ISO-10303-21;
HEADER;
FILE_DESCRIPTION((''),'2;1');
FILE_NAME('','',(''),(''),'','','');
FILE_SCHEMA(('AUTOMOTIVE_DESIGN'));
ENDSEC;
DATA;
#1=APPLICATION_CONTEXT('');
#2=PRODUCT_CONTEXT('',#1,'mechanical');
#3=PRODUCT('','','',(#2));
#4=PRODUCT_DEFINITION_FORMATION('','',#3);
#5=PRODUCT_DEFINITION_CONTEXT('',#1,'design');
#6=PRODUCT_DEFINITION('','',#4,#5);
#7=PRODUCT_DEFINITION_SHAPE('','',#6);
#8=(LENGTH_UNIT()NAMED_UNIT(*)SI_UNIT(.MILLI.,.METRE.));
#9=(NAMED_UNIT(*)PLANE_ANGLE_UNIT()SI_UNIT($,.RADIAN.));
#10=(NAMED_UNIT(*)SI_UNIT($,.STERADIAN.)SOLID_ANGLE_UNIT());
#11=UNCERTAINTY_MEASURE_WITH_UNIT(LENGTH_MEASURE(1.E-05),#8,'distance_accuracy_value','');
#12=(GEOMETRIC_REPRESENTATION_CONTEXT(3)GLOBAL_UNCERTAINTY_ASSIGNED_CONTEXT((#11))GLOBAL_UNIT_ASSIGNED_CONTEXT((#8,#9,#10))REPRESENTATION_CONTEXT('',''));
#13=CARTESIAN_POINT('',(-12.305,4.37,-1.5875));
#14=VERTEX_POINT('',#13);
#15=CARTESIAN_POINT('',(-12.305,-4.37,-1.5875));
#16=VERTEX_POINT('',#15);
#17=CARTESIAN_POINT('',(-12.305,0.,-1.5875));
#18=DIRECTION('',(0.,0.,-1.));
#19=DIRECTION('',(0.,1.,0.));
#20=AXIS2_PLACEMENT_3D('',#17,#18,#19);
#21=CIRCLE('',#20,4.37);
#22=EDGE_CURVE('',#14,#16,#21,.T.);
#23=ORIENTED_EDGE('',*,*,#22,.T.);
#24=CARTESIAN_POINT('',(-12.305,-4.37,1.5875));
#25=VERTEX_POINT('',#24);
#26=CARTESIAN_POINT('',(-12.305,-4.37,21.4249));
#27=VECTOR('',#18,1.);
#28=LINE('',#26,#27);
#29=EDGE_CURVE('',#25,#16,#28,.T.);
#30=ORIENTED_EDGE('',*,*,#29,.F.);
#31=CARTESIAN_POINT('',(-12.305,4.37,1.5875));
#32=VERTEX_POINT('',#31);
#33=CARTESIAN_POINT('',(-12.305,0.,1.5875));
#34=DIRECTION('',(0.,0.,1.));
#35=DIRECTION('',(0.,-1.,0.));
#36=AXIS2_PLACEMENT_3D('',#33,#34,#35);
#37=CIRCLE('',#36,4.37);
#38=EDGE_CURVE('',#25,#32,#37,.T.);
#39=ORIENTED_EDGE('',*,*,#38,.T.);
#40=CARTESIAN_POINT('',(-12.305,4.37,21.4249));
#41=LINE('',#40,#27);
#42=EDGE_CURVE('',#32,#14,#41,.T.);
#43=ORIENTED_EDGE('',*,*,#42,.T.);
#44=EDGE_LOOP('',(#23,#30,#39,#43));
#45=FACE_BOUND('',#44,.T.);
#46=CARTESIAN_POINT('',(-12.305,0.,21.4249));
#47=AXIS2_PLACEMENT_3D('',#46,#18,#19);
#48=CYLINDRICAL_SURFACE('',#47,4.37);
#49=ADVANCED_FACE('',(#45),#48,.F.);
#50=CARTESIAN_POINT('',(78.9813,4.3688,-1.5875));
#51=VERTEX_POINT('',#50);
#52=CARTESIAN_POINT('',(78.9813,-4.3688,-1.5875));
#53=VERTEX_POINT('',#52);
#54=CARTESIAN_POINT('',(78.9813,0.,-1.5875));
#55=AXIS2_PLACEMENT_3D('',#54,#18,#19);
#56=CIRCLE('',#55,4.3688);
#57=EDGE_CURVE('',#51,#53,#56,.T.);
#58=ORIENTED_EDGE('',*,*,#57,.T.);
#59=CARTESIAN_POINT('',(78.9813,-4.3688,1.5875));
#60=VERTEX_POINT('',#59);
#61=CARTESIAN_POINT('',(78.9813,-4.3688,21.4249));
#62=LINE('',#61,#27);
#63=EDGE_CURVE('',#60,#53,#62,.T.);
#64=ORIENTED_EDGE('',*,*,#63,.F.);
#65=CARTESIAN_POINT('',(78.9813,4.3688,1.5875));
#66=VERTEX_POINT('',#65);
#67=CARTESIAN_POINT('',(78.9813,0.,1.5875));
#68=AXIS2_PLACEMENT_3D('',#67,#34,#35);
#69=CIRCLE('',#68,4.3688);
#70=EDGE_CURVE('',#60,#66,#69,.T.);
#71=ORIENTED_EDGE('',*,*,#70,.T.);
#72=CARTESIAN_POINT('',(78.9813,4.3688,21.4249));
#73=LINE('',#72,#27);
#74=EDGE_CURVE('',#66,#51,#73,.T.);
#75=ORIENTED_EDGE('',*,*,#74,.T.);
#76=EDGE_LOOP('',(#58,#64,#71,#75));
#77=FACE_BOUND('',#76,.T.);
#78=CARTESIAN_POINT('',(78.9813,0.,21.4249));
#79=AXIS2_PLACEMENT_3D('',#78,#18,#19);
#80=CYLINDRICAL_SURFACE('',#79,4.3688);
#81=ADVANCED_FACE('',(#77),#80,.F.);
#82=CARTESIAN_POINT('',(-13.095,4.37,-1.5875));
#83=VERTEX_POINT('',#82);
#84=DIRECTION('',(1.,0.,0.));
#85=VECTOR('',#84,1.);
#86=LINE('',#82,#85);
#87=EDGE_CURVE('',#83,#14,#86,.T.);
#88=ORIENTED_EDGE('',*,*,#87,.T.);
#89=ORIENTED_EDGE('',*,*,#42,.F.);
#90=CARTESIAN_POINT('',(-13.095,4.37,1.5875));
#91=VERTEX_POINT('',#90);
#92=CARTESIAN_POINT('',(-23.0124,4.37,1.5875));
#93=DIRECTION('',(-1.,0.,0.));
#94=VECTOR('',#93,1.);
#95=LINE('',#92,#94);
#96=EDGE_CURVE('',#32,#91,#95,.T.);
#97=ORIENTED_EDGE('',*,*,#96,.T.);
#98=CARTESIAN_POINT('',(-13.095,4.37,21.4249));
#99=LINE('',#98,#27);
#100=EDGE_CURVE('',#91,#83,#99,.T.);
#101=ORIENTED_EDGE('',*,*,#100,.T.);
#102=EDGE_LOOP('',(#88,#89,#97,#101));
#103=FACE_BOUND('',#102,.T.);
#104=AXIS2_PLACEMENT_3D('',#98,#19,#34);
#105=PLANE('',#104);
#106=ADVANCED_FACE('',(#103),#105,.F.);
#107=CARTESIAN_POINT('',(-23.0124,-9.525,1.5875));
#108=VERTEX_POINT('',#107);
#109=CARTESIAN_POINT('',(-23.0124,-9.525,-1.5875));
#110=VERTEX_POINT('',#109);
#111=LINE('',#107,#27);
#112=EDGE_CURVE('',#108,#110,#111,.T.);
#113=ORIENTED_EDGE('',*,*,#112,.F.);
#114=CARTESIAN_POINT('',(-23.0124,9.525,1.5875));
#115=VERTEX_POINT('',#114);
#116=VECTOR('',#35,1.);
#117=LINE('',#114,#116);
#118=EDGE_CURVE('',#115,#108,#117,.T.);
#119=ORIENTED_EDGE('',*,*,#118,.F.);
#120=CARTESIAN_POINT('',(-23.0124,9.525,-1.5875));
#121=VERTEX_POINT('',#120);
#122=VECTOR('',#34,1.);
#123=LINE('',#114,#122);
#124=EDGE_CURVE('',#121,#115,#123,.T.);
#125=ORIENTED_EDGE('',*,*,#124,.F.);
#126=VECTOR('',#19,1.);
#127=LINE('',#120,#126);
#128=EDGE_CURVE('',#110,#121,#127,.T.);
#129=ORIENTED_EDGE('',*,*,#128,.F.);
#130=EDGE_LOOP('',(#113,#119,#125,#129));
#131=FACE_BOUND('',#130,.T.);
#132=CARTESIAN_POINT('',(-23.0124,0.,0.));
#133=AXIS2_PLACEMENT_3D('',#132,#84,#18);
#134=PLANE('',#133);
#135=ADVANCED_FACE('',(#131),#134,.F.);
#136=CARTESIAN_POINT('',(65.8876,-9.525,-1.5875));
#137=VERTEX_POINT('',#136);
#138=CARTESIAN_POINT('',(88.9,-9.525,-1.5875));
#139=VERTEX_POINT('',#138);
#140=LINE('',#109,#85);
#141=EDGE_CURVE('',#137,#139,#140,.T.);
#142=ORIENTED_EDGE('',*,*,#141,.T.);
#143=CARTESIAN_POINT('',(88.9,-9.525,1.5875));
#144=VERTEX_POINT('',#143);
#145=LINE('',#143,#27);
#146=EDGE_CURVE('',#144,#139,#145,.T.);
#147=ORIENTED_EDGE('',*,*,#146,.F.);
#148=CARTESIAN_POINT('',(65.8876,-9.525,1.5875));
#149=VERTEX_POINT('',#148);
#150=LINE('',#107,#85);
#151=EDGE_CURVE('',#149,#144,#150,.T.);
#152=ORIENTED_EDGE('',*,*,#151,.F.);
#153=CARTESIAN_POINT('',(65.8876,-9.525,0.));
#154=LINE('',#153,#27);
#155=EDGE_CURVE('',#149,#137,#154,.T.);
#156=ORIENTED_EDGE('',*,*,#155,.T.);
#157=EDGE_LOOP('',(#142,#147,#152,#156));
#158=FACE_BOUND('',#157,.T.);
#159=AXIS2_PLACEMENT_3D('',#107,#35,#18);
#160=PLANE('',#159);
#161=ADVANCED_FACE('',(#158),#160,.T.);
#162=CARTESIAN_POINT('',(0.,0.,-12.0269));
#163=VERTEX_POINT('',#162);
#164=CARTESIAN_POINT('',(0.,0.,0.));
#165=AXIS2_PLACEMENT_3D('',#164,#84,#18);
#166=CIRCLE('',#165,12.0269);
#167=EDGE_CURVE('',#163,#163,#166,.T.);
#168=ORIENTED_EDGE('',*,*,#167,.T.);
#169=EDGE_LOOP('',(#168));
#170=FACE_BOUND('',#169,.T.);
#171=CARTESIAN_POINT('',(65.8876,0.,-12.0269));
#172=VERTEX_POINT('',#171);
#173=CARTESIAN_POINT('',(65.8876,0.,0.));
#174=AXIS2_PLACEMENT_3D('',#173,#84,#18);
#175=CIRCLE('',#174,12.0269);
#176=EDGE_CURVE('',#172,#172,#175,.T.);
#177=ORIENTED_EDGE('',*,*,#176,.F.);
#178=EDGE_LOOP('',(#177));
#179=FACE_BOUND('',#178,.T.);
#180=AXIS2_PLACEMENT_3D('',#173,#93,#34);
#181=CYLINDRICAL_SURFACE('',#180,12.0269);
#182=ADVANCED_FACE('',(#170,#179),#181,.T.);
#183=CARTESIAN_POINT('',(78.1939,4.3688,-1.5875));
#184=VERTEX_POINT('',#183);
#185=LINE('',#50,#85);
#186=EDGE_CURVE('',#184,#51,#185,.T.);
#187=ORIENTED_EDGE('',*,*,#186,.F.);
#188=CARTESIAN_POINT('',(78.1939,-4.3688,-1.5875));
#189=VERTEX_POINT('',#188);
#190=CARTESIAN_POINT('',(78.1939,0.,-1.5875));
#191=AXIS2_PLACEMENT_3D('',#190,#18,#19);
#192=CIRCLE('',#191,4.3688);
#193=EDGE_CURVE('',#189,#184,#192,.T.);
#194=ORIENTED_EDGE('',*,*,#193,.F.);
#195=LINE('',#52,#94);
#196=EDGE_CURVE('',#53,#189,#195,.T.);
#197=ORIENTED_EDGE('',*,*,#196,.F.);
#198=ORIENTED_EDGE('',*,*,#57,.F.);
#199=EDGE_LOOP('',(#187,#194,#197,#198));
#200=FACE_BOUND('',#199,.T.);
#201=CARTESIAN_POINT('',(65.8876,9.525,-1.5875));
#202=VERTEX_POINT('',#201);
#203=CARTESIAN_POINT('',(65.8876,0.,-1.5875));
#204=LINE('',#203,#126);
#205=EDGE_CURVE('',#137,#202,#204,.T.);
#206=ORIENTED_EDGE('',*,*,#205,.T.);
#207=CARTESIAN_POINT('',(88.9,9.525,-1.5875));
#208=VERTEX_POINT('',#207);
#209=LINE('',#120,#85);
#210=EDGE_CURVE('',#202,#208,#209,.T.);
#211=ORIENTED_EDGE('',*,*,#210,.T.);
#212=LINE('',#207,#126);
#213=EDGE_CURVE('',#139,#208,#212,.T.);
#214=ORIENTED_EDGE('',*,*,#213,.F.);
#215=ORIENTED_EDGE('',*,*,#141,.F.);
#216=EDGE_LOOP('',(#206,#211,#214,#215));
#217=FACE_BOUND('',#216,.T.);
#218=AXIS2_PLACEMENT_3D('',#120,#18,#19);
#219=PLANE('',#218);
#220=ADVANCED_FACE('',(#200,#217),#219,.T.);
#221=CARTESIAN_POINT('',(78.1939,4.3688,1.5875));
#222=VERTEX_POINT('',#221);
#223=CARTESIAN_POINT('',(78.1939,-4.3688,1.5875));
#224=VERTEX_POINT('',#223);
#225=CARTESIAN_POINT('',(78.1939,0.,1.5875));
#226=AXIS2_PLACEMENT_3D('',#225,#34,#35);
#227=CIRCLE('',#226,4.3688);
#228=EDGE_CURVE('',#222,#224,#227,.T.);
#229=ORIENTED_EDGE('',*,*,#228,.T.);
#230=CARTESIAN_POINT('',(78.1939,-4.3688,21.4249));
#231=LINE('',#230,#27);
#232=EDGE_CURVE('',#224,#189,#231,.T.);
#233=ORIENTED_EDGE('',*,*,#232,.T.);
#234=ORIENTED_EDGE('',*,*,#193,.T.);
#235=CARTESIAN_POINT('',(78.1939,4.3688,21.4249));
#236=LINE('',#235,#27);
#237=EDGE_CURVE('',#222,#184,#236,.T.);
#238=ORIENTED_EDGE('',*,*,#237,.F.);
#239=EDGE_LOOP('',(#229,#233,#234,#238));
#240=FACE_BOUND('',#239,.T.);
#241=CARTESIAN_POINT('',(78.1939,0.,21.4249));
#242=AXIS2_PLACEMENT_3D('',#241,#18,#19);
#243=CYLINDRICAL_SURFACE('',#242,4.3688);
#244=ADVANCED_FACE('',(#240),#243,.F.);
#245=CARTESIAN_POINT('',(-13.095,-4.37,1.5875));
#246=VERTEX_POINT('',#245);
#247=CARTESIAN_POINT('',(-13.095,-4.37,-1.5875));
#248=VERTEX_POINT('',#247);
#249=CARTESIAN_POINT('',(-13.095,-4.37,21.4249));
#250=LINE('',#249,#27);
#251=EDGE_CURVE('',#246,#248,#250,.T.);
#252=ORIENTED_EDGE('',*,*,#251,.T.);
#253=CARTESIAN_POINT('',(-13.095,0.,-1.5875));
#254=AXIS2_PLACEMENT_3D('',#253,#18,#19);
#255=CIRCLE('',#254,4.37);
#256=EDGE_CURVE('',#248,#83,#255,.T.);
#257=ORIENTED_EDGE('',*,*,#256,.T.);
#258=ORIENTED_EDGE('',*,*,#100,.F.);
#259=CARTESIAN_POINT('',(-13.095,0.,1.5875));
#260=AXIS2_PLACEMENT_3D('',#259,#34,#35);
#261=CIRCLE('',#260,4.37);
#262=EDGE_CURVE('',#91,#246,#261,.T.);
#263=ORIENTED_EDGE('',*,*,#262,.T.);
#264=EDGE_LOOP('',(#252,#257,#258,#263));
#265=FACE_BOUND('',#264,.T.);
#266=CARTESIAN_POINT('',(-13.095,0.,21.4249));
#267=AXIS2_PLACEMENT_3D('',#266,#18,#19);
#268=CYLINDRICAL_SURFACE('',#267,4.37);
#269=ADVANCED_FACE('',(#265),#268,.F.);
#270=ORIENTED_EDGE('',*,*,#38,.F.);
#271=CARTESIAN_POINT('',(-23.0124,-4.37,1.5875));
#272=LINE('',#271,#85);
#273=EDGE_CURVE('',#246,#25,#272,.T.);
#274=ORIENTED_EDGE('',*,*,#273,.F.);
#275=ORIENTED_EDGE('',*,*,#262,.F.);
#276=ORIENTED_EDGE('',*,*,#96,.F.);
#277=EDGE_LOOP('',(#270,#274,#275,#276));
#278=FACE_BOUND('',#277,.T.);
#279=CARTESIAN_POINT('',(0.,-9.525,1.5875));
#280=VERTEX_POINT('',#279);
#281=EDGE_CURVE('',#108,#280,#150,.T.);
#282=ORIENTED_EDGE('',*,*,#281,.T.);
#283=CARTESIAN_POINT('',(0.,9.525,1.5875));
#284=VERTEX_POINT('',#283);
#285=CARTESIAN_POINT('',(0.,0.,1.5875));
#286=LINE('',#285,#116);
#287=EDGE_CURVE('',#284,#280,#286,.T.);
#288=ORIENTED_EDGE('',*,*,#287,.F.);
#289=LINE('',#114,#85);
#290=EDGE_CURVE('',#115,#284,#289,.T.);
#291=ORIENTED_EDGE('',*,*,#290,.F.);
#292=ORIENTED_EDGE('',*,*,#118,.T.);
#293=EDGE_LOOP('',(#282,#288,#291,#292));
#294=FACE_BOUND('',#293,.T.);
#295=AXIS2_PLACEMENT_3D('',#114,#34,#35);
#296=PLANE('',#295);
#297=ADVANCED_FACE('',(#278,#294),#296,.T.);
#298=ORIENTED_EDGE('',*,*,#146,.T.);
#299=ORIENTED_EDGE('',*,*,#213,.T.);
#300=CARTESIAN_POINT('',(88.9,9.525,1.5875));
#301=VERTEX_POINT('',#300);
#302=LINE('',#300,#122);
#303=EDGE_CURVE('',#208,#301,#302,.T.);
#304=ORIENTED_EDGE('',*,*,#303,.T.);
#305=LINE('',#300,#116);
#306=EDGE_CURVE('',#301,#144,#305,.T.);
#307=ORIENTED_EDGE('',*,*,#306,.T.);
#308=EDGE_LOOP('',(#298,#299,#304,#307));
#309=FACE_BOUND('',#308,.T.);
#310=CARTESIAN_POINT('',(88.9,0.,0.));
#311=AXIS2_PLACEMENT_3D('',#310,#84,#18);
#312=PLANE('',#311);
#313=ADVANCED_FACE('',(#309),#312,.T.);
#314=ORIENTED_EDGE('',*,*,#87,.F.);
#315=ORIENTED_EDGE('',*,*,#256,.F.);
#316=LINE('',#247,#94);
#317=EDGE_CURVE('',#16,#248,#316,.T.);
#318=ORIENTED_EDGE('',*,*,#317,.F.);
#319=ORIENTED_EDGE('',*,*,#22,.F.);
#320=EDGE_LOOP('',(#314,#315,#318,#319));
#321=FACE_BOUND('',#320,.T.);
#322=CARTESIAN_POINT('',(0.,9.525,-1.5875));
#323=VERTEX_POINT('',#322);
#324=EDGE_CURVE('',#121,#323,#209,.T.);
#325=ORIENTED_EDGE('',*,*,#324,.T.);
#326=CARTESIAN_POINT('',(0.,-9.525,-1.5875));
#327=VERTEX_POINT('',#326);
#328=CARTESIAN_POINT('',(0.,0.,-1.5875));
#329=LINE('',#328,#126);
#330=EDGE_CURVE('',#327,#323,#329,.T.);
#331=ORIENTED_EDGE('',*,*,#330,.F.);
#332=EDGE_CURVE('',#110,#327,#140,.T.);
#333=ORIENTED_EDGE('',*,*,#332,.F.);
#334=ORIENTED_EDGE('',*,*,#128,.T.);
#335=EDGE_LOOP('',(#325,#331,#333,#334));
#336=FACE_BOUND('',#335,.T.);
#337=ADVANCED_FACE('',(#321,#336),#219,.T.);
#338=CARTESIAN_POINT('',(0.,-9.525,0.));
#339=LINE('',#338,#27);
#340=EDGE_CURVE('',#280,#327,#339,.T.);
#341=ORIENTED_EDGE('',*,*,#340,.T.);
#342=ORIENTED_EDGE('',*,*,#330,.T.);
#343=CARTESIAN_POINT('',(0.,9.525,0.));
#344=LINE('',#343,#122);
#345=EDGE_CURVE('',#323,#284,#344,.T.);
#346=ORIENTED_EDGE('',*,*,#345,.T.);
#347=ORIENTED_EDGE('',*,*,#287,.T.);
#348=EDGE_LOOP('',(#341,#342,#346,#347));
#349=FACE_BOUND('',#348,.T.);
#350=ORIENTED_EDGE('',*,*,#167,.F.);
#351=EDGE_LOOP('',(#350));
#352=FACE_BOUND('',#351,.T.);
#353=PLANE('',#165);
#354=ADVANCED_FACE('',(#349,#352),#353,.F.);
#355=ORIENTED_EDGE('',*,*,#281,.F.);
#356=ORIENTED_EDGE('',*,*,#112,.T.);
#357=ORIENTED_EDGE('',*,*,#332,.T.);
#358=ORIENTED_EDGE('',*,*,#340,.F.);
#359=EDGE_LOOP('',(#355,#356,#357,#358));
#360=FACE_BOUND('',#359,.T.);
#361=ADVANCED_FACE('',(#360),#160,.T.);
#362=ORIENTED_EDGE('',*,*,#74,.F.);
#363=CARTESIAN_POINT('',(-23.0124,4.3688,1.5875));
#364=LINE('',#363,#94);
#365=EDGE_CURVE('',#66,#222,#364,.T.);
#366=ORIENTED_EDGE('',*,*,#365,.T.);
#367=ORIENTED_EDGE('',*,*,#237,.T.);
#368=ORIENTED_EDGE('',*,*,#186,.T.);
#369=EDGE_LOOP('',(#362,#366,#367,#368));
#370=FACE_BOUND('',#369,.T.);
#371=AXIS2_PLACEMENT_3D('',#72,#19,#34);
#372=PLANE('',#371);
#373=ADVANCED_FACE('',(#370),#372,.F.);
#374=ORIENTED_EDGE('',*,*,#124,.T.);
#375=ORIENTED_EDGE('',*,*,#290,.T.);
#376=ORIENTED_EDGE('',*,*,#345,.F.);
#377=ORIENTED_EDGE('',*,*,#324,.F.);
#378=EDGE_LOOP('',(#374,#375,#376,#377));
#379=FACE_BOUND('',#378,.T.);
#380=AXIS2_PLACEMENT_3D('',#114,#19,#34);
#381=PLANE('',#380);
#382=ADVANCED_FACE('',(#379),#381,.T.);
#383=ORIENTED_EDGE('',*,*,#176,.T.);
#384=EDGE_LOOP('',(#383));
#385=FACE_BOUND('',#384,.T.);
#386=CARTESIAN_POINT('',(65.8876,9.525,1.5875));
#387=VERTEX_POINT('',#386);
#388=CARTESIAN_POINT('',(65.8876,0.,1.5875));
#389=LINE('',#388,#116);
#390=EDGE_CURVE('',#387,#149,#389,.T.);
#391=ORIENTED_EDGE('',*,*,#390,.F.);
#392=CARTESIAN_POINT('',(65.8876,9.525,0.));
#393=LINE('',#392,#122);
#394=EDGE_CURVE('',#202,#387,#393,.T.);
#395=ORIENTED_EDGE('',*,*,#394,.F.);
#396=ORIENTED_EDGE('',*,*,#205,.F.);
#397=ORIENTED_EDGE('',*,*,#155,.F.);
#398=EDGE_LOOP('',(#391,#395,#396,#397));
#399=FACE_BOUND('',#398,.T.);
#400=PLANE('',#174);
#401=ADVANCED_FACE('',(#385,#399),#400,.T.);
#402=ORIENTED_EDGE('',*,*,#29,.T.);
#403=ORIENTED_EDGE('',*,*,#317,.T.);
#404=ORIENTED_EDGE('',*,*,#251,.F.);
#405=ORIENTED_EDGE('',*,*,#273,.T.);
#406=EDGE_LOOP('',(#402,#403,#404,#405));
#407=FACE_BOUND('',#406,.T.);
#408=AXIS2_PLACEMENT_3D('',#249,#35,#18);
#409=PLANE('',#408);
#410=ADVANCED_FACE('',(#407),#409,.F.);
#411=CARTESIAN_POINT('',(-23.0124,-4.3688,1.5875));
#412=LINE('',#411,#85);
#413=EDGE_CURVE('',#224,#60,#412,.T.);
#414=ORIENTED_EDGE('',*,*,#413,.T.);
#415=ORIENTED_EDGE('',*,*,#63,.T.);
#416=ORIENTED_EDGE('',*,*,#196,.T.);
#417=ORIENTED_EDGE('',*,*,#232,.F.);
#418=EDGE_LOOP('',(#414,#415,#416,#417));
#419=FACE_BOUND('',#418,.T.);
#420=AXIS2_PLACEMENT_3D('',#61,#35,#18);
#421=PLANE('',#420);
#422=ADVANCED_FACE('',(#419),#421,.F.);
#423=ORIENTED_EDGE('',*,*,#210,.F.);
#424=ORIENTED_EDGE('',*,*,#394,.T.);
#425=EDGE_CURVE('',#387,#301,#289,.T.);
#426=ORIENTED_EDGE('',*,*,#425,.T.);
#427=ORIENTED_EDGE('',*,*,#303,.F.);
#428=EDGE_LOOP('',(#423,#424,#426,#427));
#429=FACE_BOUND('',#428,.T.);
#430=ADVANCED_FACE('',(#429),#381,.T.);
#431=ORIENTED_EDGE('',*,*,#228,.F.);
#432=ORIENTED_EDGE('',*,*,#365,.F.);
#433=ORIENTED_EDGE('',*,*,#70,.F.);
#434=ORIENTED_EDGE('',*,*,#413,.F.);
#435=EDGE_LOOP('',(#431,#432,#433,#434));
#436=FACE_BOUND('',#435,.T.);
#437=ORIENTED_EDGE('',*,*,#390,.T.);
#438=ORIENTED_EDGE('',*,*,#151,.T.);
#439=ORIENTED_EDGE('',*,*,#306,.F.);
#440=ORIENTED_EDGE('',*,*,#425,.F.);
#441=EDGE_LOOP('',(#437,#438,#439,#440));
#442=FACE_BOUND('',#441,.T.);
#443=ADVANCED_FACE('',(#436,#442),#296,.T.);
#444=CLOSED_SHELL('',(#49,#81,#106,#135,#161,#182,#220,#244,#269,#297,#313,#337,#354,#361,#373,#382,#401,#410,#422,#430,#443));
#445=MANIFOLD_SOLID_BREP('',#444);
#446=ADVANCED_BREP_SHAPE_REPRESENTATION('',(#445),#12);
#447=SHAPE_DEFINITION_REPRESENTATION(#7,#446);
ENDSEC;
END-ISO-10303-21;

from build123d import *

# Parameters (mm, degrees)
SKETCH1_R                = 12.0269
BOSS_EXTRUDE1_DEPTH      = 65.8876
BOSS_EXTRUDE2_DEPTH      = 23.0124
BOSS_EXTRUDE2_DEPTH_BACK = 88.9
SKETCH2_W                = 3.175
SKETCH2_H                = 19.05
CUT_EXTRUDE1_DEPTH       = 23.0124
CUT_EXTRUDE2_DEPTH       = 23.0124


with BuildPart() as part:
    # Sketch1 → Boss-Extrude1 (new body)
    with BuildSketch(Plane(origin=(0, 0, 0), x_dir=(0, 0, -1), z_dir=(1, 0, 0))):
        Circle(SKETCH1_R)
    extrude(amount=BOSS_EXTRUDE1_DEPTH)

    # Sketch2 → Boss-Extrude2 (add, two sides: drawn at the far end of the back side and taken through both)
    with BuildSketch(Plane(origin=(65.8876, 0, 0), x_dir=(0, 0, -1), z_dir=(1, 0, 0)).offset(-BOSS_EXTRUDE2_DEPTH_BACK)):
        Rectangle(SKETCH2_W, SKETCH2_H)
    extrude(amount=BOSS_EXTRUDE2_DEPTH + BOSS_EXTRUDE2_DEPTH_BACK)

    # Sketch5 → Cut-Extrude1 (cut)
    with BuildSketch(Plane(origin=(0, 0, -1.5875), x_dir=(-1, 0, 0), z_dir=(0, 0, -1))):
        with BuildLine():
            Line((-78.9813, 4.3688), (-78.1939, 4.3688))
            ThreePointArc((-78.1939, 4.3688), (-73.8251, 0), (-78.1939, -4.3688))
            Line((-78.1939, -4.3688), (-78.9813, -4.3688))
            ThreePointArc((-78.9813, -4.3688), (-83.3501, 0), (-78.9813, 4.3688))
        make_face()
    extrude(amount=-CUT_EXTRUDE1_DEPTH, mode=Mode.SUBTRACT)

    # Sketch6 → Cut-Extrude2 (cut)
    with BuildSketch(Plane(origin=(0, 0, -1.5875), x_dir=(-1, 0, 0), z_dir=(0, 0, -1))):
        with BuildLine():
            Line((13.095, -4.37), (12.305, -4.37))
            ThreePointArc((12.305, -4.37), (7.935, 0), (12.305, 4.37))
            Line((12.305, 4.37), (13.095, 4.37))
            ThreePointArc((13.095, 4.37), (17.465, 0), (13.095, -4.37))
        make_face()
    extrude(amount=-CUT_EXTRUDE2_DEPTH, mode=Mode.SUBTRACT)


solid = part.part
